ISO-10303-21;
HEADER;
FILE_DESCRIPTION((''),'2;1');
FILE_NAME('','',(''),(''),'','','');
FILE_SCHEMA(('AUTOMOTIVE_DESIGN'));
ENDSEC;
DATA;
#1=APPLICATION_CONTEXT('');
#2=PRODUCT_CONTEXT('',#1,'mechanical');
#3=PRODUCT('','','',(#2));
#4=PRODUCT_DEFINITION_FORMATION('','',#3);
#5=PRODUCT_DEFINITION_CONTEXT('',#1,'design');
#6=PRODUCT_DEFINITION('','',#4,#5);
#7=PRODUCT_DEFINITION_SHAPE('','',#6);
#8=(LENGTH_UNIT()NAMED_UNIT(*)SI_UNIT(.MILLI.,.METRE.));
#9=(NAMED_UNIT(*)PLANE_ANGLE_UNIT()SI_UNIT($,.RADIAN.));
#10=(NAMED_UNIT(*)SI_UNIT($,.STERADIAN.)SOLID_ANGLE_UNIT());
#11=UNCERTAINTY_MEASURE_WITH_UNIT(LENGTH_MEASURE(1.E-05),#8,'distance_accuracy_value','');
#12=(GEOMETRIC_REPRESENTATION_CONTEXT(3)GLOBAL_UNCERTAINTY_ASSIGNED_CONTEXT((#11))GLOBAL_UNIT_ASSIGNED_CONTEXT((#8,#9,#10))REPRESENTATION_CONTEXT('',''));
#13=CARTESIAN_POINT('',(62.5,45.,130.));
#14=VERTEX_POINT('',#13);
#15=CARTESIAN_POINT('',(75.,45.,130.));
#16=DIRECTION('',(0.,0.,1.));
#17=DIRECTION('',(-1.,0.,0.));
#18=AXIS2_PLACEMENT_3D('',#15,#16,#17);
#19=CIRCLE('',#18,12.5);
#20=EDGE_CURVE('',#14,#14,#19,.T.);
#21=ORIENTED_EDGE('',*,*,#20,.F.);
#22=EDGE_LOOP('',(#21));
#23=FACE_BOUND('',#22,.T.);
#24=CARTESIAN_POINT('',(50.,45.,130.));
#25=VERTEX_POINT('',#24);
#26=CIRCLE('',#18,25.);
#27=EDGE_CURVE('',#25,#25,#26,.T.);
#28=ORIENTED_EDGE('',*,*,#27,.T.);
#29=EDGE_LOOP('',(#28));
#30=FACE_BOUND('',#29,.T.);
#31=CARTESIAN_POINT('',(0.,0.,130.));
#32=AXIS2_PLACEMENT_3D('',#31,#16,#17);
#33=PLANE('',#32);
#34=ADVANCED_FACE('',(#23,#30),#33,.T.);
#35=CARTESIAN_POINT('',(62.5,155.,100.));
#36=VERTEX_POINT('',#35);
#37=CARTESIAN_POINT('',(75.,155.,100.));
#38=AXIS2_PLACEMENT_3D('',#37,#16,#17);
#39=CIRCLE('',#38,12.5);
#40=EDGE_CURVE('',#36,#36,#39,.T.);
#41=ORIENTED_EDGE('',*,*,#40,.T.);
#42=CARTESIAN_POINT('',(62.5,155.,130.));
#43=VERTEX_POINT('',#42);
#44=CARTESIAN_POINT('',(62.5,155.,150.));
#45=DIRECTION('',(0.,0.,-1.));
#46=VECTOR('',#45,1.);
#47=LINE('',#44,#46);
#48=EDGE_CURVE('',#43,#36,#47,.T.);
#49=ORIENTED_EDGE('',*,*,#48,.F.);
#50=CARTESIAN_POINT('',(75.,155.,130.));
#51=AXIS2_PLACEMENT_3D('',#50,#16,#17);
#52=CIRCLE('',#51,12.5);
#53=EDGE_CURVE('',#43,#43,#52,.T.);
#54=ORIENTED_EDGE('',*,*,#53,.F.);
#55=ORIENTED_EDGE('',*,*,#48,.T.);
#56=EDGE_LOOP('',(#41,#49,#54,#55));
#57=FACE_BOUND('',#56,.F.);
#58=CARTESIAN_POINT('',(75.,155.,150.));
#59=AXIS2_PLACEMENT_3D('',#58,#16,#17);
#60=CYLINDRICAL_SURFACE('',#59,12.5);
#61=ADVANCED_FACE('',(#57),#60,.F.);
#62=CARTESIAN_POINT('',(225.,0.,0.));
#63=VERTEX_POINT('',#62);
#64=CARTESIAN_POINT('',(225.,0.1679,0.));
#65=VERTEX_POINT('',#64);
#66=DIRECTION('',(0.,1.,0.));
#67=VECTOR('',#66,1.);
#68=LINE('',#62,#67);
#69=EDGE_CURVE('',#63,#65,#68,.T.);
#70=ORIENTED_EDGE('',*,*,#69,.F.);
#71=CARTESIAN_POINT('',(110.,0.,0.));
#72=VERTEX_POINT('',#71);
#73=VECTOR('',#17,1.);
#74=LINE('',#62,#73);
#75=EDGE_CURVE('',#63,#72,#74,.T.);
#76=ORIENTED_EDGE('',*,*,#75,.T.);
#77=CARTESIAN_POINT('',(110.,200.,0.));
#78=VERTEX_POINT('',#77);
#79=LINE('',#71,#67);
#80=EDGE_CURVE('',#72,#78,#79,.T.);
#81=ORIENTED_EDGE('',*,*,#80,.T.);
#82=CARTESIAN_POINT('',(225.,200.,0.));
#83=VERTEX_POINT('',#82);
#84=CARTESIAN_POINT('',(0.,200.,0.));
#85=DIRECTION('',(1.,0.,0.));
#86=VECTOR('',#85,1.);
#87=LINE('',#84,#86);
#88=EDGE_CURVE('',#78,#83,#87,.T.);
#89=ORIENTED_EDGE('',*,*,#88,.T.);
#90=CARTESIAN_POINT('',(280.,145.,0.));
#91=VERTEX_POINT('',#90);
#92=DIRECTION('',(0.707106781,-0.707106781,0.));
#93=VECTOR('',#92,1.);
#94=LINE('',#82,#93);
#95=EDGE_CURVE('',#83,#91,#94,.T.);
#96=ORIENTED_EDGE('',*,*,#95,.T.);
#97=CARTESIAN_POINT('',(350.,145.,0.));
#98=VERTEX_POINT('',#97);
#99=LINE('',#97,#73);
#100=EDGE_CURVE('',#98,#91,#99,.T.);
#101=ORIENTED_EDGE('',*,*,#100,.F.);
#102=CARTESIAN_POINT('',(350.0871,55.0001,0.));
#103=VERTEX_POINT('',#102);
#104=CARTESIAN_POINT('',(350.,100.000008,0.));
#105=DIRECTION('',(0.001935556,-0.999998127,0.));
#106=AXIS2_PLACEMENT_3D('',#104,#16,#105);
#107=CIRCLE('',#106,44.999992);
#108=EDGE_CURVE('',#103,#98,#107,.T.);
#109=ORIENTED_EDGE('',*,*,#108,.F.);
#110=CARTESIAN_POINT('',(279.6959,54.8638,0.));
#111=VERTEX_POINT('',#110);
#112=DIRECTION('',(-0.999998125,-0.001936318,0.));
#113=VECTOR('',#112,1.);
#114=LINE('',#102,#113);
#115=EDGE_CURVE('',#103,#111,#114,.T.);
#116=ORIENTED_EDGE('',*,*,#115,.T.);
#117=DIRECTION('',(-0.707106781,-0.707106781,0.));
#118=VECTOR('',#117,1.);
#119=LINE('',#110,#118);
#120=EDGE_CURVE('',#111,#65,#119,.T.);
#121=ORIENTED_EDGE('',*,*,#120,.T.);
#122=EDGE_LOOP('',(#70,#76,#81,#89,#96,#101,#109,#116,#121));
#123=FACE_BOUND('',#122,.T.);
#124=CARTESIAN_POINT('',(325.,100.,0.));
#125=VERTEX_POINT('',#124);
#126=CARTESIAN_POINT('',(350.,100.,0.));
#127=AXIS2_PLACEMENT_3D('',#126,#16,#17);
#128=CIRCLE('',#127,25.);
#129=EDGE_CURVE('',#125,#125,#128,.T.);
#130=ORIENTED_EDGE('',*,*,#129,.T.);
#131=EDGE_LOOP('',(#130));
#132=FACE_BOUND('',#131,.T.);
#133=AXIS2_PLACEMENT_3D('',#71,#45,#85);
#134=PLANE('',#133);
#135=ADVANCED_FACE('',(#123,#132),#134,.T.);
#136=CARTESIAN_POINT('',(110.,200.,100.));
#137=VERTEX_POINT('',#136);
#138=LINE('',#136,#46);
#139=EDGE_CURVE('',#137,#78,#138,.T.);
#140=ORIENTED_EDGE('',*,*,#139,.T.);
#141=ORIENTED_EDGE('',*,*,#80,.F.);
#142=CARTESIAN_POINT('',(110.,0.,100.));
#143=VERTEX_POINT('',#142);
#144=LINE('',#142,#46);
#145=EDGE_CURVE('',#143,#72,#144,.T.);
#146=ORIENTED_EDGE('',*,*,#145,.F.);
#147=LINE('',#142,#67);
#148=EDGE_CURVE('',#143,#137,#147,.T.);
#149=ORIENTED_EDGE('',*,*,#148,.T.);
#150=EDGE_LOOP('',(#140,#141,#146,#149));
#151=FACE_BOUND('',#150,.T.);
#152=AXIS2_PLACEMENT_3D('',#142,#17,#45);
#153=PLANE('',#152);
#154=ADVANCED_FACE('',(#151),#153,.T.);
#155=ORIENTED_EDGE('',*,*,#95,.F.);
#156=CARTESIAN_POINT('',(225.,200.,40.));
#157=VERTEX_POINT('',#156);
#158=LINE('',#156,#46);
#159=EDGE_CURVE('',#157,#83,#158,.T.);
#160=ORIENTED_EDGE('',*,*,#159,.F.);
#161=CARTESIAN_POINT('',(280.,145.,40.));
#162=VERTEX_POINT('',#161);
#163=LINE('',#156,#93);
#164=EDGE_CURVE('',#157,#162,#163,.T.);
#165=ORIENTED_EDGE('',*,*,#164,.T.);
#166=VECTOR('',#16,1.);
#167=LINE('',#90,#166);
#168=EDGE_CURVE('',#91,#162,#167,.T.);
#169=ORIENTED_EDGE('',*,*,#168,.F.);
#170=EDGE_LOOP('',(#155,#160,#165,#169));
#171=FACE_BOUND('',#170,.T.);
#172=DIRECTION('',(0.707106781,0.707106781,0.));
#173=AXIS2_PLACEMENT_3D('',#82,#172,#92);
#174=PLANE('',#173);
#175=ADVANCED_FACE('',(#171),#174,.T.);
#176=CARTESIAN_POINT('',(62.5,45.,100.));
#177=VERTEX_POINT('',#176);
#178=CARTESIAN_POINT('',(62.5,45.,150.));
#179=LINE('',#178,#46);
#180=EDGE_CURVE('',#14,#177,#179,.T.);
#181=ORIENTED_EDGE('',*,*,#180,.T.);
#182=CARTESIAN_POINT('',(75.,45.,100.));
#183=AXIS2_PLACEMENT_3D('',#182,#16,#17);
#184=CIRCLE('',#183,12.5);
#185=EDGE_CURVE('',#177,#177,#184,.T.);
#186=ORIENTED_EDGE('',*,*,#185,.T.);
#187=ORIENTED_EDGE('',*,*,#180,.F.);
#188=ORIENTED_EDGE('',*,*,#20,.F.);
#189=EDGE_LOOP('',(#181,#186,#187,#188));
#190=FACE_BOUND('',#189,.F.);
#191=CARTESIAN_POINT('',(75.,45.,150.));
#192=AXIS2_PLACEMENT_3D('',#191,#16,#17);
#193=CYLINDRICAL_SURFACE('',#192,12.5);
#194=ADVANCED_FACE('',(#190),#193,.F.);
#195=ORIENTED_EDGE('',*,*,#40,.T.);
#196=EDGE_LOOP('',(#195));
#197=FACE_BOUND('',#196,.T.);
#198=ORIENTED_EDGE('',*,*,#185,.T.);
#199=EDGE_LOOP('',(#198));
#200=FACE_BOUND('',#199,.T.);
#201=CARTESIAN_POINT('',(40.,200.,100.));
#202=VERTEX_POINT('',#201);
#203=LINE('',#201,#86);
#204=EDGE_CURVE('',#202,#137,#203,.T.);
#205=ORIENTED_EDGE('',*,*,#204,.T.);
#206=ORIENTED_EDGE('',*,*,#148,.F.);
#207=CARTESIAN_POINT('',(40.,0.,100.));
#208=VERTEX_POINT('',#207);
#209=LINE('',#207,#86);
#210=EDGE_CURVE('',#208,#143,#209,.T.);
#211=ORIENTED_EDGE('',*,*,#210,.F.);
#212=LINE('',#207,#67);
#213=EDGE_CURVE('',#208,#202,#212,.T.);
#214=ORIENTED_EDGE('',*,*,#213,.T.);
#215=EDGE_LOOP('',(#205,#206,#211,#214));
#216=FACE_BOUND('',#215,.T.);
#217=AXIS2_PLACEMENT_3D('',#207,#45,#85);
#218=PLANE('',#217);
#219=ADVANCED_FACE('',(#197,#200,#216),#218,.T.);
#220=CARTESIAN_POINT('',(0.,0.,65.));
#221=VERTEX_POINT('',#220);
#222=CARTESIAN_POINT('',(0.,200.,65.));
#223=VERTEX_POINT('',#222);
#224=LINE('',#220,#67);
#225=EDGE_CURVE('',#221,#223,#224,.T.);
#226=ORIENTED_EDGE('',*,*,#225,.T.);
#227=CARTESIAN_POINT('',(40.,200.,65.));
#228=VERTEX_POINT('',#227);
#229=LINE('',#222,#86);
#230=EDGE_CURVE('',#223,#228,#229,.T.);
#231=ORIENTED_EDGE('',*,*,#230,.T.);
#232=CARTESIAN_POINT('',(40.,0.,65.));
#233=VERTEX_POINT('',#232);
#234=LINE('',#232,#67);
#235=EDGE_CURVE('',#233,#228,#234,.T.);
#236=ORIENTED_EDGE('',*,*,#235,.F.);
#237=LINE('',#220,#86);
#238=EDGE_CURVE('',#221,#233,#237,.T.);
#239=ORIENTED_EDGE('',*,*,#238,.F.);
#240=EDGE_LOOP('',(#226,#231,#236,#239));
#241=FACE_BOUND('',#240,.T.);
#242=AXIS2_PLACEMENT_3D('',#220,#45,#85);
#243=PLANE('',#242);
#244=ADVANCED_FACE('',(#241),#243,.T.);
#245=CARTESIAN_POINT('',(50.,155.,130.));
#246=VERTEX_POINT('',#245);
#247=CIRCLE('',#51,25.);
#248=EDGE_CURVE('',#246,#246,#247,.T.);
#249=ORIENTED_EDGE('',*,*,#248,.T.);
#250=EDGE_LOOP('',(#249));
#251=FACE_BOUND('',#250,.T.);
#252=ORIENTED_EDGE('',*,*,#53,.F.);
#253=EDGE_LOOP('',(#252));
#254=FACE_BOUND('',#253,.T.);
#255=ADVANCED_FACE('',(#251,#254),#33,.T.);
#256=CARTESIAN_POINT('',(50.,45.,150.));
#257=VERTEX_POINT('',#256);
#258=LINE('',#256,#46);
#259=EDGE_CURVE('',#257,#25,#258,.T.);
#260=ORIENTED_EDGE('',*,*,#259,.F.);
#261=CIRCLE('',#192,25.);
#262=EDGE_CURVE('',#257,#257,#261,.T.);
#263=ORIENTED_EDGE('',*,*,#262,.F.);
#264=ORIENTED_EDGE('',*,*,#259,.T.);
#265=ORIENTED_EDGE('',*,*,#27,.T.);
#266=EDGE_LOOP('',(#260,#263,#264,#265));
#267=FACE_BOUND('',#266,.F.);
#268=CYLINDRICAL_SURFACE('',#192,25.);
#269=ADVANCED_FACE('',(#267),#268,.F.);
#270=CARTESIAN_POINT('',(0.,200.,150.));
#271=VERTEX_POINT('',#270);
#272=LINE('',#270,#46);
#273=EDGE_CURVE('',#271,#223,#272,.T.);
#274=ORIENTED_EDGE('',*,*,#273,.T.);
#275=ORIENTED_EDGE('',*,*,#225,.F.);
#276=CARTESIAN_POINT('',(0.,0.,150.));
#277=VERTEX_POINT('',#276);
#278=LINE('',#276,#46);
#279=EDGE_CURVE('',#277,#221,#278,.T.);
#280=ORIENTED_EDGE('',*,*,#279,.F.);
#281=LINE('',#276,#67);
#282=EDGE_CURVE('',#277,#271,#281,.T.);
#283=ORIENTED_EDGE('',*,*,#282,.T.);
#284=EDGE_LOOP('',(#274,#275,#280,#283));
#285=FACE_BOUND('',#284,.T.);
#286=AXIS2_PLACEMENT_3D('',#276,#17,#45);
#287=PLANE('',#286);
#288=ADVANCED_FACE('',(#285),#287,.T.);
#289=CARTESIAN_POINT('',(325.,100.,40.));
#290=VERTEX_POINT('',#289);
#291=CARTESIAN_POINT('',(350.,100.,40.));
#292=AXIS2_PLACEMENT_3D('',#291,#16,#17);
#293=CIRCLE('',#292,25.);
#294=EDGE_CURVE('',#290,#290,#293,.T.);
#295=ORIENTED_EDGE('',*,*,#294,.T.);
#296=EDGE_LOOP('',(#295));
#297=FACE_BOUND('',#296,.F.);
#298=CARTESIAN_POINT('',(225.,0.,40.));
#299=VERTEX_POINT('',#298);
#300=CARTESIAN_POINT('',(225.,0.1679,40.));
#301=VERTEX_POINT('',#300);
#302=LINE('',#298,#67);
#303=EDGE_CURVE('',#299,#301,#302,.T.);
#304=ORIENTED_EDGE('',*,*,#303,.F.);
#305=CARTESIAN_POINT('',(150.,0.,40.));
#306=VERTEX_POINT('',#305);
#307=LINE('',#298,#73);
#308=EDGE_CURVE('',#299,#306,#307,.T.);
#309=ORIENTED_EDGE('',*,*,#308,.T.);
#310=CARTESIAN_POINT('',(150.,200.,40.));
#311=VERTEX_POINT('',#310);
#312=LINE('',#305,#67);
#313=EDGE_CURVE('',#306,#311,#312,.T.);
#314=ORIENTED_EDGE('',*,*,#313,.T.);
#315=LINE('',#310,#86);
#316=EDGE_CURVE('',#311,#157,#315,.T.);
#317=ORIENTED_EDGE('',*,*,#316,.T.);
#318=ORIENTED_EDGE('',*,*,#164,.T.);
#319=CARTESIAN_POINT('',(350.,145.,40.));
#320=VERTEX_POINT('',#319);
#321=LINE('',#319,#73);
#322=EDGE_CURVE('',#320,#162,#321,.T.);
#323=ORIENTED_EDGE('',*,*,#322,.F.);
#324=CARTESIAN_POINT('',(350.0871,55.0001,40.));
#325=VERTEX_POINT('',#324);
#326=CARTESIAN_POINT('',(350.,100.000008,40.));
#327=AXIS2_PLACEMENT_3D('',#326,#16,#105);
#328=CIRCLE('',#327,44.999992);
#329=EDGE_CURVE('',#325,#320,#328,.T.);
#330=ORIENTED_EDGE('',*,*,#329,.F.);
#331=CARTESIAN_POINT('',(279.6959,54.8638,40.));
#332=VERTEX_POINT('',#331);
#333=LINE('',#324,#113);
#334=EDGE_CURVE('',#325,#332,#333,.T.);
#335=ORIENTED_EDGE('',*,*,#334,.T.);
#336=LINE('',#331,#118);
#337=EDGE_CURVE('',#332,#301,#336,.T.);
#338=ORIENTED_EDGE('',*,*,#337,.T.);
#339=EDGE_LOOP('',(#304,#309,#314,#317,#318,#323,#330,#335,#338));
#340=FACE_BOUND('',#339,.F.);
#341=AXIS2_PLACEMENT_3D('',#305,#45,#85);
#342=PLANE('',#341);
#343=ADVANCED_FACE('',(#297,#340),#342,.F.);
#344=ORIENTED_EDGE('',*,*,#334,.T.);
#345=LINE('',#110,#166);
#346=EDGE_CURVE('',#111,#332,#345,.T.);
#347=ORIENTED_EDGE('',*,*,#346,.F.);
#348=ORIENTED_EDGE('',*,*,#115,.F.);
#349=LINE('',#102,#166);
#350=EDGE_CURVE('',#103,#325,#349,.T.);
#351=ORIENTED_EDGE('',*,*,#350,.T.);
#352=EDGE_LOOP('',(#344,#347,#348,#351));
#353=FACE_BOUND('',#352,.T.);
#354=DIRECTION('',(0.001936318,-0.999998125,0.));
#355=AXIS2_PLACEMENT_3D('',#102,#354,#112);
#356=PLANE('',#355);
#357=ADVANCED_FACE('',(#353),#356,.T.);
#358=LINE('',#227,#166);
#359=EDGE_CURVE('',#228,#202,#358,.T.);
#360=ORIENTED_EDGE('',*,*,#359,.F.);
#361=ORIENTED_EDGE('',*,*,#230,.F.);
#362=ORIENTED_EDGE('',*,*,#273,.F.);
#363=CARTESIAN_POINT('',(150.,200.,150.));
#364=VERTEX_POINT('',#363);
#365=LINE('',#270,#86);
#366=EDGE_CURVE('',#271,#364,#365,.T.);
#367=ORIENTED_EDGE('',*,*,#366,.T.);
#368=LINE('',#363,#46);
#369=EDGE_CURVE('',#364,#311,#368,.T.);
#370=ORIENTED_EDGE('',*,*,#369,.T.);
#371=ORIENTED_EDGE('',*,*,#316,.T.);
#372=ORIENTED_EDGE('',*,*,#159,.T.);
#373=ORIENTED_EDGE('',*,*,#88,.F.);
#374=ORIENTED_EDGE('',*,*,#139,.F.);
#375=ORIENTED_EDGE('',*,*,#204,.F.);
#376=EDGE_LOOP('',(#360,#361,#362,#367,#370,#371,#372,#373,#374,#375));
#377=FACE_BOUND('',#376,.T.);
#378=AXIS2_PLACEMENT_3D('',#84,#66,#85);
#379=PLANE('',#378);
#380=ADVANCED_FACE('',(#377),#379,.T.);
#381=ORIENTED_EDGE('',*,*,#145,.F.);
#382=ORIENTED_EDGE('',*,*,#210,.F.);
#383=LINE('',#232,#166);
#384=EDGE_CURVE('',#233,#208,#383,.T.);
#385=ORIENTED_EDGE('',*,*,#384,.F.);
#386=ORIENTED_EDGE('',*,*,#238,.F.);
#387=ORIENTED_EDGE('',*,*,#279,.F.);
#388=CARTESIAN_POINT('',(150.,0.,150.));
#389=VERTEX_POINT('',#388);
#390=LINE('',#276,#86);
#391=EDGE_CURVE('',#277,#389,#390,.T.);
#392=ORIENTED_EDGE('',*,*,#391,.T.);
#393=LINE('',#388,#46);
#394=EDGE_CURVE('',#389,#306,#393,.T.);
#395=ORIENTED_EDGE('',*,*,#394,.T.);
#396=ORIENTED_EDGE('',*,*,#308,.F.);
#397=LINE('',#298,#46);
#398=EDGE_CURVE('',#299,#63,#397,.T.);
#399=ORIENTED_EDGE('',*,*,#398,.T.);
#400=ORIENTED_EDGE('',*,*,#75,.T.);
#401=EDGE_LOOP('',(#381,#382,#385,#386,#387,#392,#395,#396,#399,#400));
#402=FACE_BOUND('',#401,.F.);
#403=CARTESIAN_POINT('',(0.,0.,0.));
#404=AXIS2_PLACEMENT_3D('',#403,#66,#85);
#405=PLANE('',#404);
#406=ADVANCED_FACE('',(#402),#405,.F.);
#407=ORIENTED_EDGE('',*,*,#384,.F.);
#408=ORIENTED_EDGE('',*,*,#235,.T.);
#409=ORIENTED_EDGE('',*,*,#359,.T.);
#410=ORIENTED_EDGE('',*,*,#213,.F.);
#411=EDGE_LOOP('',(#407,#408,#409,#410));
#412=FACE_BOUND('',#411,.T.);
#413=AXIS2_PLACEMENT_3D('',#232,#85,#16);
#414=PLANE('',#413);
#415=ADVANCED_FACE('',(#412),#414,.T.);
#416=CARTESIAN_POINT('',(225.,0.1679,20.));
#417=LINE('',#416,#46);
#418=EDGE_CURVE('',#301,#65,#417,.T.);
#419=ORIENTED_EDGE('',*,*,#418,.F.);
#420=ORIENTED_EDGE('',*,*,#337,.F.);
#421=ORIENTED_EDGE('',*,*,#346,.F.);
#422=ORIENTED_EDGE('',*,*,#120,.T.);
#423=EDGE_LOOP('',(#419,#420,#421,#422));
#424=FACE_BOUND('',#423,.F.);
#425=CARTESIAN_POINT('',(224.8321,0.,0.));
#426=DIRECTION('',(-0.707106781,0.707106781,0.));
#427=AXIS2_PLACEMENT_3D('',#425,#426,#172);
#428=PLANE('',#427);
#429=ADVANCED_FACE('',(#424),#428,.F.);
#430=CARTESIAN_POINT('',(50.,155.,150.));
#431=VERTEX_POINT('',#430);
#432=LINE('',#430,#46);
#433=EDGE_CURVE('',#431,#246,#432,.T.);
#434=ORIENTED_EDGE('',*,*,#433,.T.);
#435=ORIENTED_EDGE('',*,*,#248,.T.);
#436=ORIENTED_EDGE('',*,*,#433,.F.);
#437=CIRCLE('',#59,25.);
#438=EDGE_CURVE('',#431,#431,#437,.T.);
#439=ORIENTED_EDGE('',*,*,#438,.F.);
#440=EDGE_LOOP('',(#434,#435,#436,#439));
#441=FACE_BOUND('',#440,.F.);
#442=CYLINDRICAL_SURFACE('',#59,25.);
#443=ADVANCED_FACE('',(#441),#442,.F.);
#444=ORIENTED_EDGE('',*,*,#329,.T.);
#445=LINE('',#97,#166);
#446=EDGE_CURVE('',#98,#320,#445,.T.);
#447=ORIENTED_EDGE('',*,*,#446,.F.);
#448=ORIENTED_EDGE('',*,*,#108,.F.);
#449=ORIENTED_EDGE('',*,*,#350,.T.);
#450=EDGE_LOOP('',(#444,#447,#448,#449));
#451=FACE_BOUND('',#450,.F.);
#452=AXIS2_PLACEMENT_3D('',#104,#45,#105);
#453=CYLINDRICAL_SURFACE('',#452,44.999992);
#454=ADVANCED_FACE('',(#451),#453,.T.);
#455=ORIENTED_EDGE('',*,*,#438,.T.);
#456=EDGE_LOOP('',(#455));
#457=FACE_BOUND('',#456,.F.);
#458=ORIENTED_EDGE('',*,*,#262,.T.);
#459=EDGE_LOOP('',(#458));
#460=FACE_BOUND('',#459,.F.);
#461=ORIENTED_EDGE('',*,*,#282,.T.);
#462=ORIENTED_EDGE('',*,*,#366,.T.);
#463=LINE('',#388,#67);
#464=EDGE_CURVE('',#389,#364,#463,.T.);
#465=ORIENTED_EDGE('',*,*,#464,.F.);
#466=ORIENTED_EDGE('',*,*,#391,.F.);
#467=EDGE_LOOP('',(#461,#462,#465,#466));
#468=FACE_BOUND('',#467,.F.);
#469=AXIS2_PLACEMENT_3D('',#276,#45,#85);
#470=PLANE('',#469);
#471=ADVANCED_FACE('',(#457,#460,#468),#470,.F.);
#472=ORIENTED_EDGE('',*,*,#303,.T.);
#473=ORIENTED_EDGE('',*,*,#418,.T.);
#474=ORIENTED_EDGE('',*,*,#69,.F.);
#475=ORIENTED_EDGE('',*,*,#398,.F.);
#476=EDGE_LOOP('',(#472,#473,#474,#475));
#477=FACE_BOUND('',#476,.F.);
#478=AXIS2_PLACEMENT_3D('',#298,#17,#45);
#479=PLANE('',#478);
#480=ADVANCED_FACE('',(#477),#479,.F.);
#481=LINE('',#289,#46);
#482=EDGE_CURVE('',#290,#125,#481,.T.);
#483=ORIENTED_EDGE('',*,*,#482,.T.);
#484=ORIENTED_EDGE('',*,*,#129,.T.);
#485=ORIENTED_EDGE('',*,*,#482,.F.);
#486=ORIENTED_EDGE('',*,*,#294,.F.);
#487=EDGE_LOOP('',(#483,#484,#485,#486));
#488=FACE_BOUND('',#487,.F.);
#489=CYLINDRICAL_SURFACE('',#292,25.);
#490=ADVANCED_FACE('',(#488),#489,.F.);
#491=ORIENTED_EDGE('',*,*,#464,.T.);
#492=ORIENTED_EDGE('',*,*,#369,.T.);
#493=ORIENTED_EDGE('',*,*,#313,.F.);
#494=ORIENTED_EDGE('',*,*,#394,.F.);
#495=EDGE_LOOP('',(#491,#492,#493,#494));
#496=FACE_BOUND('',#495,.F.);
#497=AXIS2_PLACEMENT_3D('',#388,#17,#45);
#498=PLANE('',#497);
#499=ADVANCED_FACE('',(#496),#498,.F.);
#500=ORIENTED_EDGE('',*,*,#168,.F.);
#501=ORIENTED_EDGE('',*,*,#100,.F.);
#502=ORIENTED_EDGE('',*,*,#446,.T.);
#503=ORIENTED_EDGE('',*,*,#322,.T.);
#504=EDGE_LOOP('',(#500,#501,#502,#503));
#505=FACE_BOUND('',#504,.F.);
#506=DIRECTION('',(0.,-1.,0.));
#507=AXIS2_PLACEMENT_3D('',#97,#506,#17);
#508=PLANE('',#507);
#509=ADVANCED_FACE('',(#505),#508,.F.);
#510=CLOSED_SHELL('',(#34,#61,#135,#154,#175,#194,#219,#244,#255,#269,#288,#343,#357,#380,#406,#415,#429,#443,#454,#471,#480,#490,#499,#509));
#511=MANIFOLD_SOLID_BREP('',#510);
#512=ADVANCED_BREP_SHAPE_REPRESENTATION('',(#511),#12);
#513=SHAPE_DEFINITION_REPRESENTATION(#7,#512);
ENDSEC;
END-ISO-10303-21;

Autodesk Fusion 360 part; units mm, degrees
sketch "Sketch1" plane through (0, 0, 0) normal (0, 1, 0) x (1, 0, 0)
  line L0 (0, -150) -> (0, -65)
  line L1 (0, -65) -> (40, -65)
  line L2 (40, -65) -> (40, -100)
  line L3 (0, 0) -> (225, 0)
  line L4 (225, -40) -> (225, 0)
  line L5 (40, -100) -> (110, -100)
  line L6 (0, -150) -> (150, -150)
  line L7 (110, -100) -> (110, 0)
  line L8 (150, -150) -> (150, -40)
  line L9 (150, -40) -> (225, -40)
  dimension "d7" = 150
  dimension "d9" = 85
  dimension "d11" = 35
  dimension "d14" = 225
  dimension "d15" = 70
  dimension "d16" = 150
  dimension "d17" = 110
extrude "Extrude1" add sketch "Sketch1" along normal blind 200
sketch "Sketch2" plane through (0, 0, 0) normal (0, 0, 1) x (1, 0, 0)
  line L0 (224.8321, 0) -> (425, 0) construction
  line L1 (225, 200) -> (270, 200) construction
  line L2 (224.8321, 0) -> (269.8321, 0) construction
  line L3 (350, 145) -> (280, 145)
  line L4 (350.0871, 55.0001) -> (279.6959, 54.8638)
  line L5 (225, 200) -> (280, 145)
  line L6 (225, 200) -> (302.7817, 200) construction
  line L7 (224.8321, 0) -> (256.6519, 31.8198)
  line L8 (256.6519, 31.8198) -> (279.6959, 54.8638)
  arc A0 (350.0871, 55.0001) -> (350, 145) centre (350, 100) ccw
  line L9 (225, 200) -> (224.8321, 0)
  dimension "d24" = 90
  dimension "d29" = 45
  dimension "d30" = 45
extrude "Extrude2" add sketch "Sketch2" along normal blind 40
sketch "Sketch3" plane through (0, 0, 40) normal (0, 0, 1) x (-1, 0, 0)
  line L0 (-150, 0) -> (-225, 0)
  line L1 (-225, 0) -> (-225, -0.1679)
  line L2 (-225, -0.1679) -> (-279.6959, -54.8638)
  line L3 (-279.6959, -54.8638) -> (-350.0871, -55.0001)
  arc A0 (-350.0871, -55.0001) -> (-350, -145) centre (-350, -100) ccw
  line L4 (-350, -145) -> (-280, -145)
  line L5 (-280, -145) -> (-225, -200)
  line L6 (-225, -200) -> (-150, -200)
  line L7 (-150, -200) -> (-150, 0)
  circle A1 centre (-350, -100) radius 25
extrude "Extrude3" cut sketch "Sketch3" against normal blind 40 contours A1
sketch "Sketch4" plane through (0, 0, 150) normal (0, 0, 1) x (-1, 0, 0)
  line L0 (0, 0) -> (-150, 0)
  line L1 (-150, 0) -> (-150, -200)
  line L2 (-150, -200) -> (0, -200)
  line L3 (0, -200) -> (0, 0)
  circle A0 centre (-75, -155) radius 25
  circle A1 centre (-75, -45) radius 25
extrude "Extrude4" cut sketch "Sketch4" against normal blind 20 contours A0 | A1
sketch "Sketch5" plane through (0, 0, 150) normal (0, 0, 1) x (-1, 0, 0)
  circle A0 centre (-75, -155) radius 25
  circle A1 centre (-75, -45) radius 25
  line L0 (0, 0) -> (-150, 0)
  line L1 (-150, 0) -> (-150, -200)
  line L2 (-150, -200) -> (0, -200)
  line L3 (0, -200) -> (0, 0)
  circle A2 centre (-75, -155) radius 12.5
  circle A3 centre (-75, -45) radius 12.5
  dimension "d43" = 25
  dimension "d44" = 25
extrude "Extrude5" cut sketch "Sketch5" against normal blind 80 contours A2 | A3
extrude "Extrude6" add sketch "Sketch2" along normal blind 40
sketch "Sketch6" plane through (0, 0, 40) normal (0, 0, 1) x (-1, 0, 0)
  line L0 (-150, 0) -> (-225, 0)
  line L1 (-225, 0) -> (-225, -0.1679)
  line L2 (-225, -0.1679) -> (-279.6959, -54.8638)
  line L3 (-279.6959, -54.8638) -> (-350.0871, -55.0001)
  arc A0 (-350.0871, -55.0001) -> (-350, -145) centre (-350, -100) ccw
  line L4 (-350, -145) -> (-280, -145)
  line L5 (-280, -145) -> (-225, -200)
  line L6 (-225, -200) -> (-150, -200)
  line L7 (-150, -200) -> (-150, 0)
  circle A1 centre (-350, -100) radius 25
  dimension "d49" = 50
extrude "Extrude7" cut sketch "Sketch6" against normal blind 60 contours A1
